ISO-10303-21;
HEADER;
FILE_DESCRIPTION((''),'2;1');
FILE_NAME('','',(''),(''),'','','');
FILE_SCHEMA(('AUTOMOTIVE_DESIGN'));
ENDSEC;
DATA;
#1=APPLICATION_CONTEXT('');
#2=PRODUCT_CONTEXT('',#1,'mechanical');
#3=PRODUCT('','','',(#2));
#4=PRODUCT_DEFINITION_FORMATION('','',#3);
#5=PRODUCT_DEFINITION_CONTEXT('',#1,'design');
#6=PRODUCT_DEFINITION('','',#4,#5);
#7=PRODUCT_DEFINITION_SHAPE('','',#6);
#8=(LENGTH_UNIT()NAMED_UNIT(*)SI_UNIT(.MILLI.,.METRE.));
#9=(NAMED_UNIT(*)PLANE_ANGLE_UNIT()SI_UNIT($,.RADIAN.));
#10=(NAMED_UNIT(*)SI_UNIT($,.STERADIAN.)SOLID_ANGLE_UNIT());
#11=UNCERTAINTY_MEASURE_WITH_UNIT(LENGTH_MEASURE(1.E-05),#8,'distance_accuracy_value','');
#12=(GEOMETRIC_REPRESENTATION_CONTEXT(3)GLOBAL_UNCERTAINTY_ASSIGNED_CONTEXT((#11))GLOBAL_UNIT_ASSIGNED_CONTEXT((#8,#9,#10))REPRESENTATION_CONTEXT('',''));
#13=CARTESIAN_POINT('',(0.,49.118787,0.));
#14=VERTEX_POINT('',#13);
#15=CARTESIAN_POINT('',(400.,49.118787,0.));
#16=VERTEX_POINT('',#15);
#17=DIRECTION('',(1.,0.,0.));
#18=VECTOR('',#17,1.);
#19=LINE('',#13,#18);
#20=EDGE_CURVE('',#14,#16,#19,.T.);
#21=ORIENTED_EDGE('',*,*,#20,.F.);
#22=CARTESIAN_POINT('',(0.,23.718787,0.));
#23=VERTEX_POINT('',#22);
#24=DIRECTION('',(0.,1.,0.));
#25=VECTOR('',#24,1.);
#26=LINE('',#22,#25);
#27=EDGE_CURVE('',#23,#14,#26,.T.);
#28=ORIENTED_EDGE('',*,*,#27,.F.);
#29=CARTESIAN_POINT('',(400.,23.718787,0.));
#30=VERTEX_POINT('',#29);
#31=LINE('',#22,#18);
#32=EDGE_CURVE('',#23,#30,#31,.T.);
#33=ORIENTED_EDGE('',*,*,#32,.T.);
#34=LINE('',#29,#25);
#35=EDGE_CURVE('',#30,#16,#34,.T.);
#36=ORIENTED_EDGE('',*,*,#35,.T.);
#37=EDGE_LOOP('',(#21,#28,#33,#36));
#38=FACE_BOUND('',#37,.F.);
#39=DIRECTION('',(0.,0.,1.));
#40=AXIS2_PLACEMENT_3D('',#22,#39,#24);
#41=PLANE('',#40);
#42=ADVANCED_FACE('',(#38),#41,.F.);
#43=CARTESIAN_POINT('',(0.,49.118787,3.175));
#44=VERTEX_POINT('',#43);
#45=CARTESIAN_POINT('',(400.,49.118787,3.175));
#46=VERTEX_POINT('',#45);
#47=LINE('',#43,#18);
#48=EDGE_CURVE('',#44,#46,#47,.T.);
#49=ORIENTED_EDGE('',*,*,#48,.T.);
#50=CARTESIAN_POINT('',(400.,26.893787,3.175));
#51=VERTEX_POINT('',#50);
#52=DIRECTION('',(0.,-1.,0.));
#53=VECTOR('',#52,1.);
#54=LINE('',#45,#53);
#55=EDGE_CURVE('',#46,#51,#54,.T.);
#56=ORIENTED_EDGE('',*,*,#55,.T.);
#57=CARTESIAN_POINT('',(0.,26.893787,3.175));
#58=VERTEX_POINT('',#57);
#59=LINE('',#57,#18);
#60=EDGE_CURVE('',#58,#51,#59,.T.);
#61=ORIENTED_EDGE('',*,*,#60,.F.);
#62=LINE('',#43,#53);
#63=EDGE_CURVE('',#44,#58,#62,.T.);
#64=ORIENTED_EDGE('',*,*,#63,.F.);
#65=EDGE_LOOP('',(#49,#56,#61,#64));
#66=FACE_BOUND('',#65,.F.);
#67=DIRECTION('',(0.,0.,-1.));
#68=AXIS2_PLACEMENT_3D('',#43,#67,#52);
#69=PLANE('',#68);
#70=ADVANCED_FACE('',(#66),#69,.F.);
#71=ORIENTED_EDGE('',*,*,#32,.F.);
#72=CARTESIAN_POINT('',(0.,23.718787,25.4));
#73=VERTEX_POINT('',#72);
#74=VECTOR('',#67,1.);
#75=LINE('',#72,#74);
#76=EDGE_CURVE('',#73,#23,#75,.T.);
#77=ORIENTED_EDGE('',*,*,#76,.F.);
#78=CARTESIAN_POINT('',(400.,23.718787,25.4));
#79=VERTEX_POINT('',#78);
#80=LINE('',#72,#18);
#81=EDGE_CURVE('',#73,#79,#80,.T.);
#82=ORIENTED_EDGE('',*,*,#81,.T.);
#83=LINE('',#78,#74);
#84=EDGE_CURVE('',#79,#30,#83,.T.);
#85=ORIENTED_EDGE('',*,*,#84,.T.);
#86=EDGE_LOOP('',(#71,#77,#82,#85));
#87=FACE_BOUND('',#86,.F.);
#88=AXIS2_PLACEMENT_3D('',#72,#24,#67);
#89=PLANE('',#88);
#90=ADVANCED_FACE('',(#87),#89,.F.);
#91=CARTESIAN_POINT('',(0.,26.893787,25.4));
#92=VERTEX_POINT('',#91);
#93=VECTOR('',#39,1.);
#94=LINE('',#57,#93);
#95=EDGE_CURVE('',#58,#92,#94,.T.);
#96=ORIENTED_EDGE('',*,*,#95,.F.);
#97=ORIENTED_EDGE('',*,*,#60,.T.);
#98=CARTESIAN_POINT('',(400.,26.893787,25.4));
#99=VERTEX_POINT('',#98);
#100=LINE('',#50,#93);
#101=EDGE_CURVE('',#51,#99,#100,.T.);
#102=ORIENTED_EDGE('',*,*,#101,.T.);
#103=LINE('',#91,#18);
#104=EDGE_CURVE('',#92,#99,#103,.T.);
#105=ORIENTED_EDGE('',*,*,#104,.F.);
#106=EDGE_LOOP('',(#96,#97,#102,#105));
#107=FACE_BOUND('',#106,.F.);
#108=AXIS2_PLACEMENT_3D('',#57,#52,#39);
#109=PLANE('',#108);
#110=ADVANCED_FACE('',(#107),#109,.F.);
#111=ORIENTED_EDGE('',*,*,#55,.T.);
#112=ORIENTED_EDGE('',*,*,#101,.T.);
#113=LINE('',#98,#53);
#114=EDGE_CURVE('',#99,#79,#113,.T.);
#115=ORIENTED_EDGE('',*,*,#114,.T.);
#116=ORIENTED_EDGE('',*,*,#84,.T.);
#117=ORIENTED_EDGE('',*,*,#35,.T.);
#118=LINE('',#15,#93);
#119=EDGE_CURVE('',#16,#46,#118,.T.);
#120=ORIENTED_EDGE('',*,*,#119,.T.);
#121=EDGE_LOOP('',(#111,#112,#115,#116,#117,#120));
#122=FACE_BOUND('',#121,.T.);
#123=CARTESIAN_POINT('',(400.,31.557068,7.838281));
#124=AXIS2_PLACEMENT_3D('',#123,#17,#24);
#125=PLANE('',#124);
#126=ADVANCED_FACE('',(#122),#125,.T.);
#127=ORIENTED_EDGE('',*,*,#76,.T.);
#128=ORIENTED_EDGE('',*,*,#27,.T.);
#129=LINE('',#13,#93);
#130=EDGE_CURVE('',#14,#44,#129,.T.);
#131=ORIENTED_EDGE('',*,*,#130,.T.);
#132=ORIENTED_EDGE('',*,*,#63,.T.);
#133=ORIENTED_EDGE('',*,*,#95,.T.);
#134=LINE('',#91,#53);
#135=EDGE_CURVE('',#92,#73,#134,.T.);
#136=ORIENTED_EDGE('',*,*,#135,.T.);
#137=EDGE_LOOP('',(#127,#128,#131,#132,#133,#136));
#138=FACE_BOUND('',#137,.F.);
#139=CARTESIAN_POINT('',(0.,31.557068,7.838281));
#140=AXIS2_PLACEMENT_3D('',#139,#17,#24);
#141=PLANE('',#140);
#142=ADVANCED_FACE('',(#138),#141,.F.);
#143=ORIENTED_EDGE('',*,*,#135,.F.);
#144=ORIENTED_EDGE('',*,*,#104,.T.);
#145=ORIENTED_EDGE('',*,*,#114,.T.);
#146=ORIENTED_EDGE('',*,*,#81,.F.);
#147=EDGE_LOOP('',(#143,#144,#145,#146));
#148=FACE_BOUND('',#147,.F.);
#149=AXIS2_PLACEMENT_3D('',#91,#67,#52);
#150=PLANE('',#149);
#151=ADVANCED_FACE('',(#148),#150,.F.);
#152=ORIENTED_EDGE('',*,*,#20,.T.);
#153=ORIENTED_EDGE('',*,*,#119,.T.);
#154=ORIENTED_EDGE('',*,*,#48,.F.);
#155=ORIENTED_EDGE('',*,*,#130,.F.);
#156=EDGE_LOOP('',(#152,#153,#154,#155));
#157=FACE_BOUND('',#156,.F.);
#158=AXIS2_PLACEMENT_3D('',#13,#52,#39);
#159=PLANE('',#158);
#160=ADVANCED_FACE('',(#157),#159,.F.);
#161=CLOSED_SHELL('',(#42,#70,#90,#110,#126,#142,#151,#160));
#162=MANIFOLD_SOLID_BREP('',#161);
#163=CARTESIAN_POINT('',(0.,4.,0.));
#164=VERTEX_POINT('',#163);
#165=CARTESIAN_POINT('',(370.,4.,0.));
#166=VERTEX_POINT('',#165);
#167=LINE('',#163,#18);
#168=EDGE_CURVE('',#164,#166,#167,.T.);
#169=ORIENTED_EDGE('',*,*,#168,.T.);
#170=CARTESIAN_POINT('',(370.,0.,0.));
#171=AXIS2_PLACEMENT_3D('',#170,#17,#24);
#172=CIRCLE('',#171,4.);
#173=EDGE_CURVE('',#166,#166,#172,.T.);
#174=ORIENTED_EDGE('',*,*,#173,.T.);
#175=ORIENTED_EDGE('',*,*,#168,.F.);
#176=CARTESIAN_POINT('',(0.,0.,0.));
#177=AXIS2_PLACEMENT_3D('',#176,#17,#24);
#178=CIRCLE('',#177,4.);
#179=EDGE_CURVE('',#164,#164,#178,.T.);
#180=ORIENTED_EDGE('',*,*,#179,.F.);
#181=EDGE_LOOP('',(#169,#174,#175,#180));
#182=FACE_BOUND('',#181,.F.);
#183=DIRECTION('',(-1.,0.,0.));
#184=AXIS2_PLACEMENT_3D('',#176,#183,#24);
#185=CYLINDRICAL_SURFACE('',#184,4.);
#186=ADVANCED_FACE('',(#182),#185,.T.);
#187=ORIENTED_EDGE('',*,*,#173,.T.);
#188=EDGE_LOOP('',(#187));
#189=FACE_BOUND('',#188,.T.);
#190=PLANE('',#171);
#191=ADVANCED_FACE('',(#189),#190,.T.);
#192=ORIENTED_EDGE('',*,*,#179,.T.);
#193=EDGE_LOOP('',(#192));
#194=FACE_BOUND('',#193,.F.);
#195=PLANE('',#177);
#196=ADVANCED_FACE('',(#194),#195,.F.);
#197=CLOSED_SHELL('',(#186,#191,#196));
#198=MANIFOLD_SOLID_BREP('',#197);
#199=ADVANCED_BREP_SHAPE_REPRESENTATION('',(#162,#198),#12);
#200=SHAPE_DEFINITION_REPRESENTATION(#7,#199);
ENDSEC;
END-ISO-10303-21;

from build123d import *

# Parameters (mm, degrees)
F0_R     = 4
F1_DEPTH = 370
F3_DEPTH = 400


with BuildPart() as f1:
    # F0 (on Right) → F1 (new body)
    with BuildSketch(Plane.YZ):
        Circle(F0_R)
    extrude(amount=F1_DEPTH)


with BuildPart() as f3:
    # F2 (on Right) → F3 (new body)
    with BuildSketch(Plane.YZ):
        Polygon((23.718787, 25.4), (23.718787, 0), (49.118787, 0), (49.118787, 3.175), (26.893787, 3.175), (26.893787, 25.4), align=None)
    extrude(amount=F3_DEPTH)


solid = Compound([f1.part, f3.part])
